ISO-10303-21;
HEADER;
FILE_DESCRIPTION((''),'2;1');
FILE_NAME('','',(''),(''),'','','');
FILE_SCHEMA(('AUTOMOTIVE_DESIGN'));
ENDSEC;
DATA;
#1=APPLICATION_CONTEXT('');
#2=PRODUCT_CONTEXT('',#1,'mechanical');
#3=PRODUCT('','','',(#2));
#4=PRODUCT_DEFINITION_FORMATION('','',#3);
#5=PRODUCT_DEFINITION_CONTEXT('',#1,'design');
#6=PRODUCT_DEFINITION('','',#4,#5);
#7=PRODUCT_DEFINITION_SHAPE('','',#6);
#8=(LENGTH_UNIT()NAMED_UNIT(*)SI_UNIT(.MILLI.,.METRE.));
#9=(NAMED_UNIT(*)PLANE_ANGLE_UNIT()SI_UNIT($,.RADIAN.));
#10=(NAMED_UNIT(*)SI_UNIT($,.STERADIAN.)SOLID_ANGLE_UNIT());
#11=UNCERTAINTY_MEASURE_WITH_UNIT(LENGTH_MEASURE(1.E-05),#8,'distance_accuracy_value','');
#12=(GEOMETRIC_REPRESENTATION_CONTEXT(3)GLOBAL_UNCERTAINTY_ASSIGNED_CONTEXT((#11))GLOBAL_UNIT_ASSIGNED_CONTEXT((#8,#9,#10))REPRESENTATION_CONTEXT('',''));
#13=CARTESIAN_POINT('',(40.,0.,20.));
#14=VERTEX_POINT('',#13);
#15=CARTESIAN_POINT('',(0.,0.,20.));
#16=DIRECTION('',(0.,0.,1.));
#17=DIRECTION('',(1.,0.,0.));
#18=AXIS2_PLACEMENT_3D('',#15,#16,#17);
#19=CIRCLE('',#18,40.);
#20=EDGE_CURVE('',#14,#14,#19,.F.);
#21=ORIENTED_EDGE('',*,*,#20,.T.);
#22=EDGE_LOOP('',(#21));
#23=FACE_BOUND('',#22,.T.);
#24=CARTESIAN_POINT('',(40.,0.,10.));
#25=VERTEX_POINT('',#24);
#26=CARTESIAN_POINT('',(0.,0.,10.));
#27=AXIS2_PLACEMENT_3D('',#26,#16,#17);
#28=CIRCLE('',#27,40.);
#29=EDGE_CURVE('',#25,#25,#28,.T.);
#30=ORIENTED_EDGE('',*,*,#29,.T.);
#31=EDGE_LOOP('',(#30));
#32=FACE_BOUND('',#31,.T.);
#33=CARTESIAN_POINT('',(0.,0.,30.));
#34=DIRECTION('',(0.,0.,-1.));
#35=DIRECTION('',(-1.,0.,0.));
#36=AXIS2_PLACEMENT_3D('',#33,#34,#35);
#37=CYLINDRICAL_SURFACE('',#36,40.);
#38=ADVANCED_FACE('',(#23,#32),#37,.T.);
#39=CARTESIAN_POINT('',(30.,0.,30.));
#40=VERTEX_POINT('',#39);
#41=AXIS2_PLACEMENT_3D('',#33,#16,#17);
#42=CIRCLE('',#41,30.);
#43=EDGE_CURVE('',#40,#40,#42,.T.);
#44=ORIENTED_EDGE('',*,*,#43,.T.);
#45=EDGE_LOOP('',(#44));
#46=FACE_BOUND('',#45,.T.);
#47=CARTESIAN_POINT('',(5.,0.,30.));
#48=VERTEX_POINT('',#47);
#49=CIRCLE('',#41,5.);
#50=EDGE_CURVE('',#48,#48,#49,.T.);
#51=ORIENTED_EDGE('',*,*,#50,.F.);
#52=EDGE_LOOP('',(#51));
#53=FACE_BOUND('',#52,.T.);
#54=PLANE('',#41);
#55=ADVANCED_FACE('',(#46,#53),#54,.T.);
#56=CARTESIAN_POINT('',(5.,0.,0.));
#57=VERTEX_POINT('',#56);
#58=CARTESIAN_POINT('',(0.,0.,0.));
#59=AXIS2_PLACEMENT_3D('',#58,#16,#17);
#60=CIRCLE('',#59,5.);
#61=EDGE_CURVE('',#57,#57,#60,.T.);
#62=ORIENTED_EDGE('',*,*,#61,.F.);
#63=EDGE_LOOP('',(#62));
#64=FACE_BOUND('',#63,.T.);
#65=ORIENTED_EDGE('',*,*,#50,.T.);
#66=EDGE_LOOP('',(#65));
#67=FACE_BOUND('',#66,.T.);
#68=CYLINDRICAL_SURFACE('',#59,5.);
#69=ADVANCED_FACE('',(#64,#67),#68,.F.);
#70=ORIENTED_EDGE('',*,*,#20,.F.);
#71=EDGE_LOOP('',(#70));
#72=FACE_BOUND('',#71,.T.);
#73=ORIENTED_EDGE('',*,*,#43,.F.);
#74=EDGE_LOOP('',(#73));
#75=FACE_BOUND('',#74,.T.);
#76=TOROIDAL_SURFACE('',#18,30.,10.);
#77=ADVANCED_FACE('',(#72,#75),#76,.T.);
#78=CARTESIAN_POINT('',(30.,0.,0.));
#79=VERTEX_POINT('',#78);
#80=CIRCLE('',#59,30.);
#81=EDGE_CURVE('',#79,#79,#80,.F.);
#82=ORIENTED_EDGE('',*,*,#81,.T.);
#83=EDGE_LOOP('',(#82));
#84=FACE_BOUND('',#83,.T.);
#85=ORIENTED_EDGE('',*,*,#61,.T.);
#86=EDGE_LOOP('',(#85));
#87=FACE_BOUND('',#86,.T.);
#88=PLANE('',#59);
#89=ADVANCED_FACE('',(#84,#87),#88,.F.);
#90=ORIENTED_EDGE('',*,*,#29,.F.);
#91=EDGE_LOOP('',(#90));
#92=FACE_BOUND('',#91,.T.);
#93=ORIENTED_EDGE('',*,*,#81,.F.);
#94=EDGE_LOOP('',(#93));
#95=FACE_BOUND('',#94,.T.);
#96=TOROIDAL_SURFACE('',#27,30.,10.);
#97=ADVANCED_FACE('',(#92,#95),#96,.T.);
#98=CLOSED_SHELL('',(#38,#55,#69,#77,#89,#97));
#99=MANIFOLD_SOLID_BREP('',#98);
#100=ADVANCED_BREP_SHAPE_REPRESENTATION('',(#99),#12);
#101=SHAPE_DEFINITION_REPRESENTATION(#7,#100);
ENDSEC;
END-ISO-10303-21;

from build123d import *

# Parameters (mm, degrees)
SKETCH1_R               = 40
BOSS_EXTRUDE1_DEPTH     = 30
FILLET1_R               = 10
CUT_EXTRUDE1_DEPTH      = 65.031242437
CUT_EXTRUDE1_DEPTH_BACK = 65.031242437
SKETCH2_R               = 5


with BuildPart() as part:
    # Sketch1 → Boss-Extrude1 (new body)
    with BuildSketch(Plane.XY):
        Circle(SKETCH1_R)
    extrude(amount=BOSS_EXTRUDE1_DEPTH)

    # Fillet1
    fillet1_edges = [part.edges().sort_by_distance(p)[0] for p in [
        (-40, 0, 0),
        (-40, 0, 30),
    ]]
    fillet(fillet1_edges, radius=FILLET1_R)

    # Sketch2 → Cut-Extrude1 (cut, two sides: drawn at the far end of the back side and taken through both)
    with BuildSketch(Plane.XY.offset(30).offset(-CUT_EXTRUDE1_DEPTH_BACK)):
        Circle(SKETCH2_R)
    extrude(amount=CUT_EXTRUDE1_DEPTH + CUT_EXTRUDE1_DEPTH_BACK, mode=Mode.SUBTRACT)


solid = part.part
